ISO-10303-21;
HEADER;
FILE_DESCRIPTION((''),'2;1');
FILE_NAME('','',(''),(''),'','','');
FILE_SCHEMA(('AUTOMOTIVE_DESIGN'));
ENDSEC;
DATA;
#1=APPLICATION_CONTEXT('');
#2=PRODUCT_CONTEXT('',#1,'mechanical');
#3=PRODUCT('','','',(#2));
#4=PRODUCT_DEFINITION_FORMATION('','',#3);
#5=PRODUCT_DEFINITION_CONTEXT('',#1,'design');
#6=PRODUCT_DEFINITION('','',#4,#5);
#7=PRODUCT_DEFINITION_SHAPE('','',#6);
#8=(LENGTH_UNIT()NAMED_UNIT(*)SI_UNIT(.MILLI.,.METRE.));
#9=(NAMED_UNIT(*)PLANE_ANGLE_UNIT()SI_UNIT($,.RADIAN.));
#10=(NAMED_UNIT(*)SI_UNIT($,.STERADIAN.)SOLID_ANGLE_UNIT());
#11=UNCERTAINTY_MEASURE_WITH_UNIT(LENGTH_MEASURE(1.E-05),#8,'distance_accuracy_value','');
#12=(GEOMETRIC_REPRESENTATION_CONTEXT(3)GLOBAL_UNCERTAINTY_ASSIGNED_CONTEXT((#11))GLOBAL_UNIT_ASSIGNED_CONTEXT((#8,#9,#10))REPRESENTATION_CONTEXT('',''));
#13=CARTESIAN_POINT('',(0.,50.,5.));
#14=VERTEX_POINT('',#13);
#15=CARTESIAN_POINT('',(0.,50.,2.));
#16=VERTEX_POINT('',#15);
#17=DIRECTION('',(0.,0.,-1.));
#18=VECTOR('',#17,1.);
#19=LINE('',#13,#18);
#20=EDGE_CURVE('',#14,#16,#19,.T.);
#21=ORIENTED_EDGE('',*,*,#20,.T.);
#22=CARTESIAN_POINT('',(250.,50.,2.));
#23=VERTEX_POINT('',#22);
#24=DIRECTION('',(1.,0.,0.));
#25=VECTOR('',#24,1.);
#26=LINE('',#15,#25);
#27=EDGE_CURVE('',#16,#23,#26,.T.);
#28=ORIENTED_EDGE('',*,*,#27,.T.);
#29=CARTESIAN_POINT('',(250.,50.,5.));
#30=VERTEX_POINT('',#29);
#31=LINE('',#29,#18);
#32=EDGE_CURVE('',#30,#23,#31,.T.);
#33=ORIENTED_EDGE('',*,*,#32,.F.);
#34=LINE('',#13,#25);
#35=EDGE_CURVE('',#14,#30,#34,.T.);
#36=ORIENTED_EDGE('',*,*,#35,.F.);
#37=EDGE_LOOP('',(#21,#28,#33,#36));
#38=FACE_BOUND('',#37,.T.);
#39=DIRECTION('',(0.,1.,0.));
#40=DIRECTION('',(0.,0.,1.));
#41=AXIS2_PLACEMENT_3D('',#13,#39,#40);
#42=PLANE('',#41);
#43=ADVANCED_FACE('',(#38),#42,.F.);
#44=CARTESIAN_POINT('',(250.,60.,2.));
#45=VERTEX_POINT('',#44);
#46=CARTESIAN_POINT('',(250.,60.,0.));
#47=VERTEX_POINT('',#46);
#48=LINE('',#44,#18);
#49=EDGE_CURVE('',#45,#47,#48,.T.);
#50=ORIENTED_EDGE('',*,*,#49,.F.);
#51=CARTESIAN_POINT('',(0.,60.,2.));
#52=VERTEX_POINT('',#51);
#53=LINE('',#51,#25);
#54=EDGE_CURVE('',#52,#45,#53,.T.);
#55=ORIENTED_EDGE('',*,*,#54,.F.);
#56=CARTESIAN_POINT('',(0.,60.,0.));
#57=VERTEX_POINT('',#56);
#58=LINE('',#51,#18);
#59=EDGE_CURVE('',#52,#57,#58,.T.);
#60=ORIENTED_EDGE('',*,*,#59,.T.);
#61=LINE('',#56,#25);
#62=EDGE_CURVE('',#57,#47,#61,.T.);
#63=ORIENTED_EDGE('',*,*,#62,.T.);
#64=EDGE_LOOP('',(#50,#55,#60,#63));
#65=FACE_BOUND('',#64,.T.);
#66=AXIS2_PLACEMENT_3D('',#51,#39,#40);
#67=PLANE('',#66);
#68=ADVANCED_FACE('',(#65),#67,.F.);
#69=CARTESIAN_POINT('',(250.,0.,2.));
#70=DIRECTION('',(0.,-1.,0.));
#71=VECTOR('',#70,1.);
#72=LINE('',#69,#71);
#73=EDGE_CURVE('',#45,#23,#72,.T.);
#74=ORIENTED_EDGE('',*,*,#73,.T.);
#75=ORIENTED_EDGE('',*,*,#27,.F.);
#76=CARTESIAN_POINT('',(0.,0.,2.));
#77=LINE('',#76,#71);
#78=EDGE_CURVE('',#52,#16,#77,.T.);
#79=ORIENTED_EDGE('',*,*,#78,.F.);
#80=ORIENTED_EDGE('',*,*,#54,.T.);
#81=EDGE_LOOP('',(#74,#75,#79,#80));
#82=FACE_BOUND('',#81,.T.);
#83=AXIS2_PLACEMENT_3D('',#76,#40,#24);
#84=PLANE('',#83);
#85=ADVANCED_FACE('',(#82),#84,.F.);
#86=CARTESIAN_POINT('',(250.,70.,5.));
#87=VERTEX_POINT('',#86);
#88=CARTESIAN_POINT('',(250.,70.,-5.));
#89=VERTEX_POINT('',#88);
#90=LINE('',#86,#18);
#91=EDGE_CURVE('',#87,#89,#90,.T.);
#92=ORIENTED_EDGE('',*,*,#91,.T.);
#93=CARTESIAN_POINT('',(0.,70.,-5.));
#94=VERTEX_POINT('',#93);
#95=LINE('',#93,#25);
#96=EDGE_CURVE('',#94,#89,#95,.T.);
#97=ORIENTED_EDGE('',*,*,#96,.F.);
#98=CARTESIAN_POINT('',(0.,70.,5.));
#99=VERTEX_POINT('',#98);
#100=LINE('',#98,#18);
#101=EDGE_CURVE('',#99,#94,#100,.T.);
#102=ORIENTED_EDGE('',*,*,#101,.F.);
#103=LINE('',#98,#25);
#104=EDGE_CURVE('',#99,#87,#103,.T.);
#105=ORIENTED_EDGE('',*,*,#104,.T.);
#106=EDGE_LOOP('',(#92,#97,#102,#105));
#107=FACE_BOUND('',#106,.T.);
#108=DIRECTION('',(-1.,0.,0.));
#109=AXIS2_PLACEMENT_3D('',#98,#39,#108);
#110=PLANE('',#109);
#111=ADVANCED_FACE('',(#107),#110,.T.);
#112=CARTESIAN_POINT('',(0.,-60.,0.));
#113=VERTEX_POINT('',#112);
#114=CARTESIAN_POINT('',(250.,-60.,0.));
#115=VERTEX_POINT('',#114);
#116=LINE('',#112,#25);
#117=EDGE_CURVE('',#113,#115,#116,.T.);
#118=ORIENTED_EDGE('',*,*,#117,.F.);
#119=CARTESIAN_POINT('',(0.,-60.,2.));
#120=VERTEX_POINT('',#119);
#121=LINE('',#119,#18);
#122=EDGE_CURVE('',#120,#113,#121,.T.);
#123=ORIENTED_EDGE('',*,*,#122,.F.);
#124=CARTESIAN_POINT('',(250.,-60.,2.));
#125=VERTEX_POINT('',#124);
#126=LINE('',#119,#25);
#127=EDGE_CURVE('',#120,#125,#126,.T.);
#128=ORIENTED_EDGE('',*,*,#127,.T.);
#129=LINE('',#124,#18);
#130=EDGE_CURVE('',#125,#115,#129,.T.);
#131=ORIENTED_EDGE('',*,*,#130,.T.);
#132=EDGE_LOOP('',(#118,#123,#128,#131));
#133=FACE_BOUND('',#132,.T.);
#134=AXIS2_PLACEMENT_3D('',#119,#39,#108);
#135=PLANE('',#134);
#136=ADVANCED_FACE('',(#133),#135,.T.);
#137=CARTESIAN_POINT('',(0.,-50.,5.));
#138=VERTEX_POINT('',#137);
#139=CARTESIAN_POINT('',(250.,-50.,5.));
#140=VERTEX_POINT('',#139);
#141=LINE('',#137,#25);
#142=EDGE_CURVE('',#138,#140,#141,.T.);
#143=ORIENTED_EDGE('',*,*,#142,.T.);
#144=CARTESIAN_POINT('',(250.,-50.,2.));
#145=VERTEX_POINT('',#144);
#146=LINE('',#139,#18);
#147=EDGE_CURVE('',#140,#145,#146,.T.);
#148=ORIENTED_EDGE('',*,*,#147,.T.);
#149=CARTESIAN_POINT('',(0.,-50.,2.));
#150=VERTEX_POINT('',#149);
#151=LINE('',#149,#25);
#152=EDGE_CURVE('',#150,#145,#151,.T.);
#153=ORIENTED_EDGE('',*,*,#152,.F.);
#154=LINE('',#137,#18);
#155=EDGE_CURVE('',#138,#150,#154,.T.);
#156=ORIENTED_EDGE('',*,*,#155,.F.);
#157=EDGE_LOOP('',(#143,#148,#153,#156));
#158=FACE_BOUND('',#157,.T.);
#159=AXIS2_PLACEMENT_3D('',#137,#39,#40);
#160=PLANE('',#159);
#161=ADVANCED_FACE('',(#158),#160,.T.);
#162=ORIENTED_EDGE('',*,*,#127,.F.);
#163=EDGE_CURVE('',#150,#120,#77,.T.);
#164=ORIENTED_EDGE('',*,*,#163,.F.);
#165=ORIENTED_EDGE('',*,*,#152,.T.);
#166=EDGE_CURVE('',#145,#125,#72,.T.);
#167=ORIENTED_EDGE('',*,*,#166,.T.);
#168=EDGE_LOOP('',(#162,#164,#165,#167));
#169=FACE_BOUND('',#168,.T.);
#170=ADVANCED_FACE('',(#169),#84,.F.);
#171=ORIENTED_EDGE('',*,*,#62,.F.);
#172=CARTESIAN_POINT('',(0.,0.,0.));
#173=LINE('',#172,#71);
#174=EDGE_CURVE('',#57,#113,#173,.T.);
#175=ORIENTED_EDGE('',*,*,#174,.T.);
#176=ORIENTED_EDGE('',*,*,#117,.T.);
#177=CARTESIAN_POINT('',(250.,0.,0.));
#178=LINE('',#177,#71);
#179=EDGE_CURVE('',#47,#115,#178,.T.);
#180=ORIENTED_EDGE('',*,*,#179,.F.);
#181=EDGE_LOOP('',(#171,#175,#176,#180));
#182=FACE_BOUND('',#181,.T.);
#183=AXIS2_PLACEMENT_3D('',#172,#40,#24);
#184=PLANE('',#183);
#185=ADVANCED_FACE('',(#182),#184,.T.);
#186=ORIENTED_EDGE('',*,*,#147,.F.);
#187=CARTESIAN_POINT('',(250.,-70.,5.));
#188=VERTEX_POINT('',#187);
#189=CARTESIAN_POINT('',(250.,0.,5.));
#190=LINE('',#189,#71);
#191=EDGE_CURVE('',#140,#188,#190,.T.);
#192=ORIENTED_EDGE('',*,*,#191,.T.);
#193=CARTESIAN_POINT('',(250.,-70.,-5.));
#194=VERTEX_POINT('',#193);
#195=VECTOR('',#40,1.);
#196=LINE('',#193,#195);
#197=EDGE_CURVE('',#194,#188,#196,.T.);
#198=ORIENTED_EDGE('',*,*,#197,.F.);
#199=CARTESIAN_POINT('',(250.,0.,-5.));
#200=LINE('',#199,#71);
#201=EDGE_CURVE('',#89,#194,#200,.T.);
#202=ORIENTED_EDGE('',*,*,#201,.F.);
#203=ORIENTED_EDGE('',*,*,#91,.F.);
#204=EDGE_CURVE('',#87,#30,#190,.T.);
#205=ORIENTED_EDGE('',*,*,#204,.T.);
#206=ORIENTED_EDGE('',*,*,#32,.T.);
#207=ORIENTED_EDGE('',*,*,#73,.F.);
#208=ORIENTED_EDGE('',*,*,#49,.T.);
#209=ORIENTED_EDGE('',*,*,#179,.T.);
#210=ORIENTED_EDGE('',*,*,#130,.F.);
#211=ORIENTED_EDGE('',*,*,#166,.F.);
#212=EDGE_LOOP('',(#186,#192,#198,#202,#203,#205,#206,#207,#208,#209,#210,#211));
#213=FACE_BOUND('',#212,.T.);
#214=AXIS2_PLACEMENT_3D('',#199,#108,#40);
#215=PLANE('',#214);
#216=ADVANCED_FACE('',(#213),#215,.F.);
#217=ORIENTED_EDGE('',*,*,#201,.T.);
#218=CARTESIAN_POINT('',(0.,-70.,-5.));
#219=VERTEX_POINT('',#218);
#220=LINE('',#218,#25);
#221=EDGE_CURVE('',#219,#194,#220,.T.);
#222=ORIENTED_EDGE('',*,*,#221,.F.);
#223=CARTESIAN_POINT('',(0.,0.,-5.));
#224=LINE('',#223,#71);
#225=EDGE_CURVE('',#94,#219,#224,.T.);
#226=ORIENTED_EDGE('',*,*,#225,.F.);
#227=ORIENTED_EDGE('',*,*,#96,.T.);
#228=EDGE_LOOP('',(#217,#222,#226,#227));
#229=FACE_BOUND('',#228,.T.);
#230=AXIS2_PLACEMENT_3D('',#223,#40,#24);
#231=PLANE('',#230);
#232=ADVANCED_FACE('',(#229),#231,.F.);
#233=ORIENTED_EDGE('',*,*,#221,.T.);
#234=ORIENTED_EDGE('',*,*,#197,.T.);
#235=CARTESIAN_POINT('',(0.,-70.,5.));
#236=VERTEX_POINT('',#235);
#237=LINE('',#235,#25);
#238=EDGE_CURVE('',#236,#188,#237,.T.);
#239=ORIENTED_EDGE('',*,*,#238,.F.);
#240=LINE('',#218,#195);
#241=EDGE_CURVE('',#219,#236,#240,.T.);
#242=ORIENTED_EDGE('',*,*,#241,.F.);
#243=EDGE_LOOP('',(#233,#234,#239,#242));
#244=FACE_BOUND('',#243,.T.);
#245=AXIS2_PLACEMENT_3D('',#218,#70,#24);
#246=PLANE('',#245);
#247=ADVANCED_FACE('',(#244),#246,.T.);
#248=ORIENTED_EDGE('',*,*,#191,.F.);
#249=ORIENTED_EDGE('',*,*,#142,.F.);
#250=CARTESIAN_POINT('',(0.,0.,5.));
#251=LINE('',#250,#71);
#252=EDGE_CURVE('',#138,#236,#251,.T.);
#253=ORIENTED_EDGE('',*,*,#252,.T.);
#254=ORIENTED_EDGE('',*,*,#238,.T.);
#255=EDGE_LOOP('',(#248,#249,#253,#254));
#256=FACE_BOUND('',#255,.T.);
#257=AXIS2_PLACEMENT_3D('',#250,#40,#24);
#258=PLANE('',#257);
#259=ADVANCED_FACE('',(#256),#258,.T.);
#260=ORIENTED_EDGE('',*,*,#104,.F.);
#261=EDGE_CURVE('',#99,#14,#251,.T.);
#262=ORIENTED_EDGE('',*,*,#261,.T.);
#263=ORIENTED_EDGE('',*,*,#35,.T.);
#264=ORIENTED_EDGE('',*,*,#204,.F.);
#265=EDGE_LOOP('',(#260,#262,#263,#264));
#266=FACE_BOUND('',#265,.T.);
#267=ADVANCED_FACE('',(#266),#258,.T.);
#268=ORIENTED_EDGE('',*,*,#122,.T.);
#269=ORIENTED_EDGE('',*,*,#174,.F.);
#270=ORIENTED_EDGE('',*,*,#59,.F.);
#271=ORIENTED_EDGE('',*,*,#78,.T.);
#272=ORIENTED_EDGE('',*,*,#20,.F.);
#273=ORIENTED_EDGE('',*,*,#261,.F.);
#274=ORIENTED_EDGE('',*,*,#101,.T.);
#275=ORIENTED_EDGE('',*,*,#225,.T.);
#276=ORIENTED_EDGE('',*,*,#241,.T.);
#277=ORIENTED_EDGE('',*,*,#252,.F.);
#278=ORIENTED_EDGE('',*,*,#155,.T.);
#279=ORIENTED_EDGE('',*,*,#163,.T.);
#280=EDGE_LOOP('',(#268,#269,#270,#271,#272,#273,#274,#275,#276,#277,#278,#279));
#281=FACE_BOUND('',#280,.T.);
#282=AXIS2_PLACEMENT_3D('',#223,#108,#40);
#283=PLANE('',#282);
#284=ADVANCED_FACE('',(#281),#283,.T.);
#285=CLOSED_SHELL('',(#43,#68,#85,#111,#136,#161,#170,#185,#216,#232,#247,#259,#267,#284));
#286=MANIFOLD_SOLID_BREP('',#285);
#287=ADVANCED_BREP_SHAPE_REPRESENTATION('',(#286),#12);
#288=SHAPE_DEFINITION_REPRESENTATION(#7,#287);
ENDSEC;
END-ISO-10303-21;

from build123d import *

# Parameters (mm, degrees)
BOSS_EXTRUDE1_DEPTH      = 5
BOSS_EXTRUDE1_DEPTH_BACK = 5
SKETCH1_W                = 250
SKETCH1_H                = 140
SKETCH1_3_W              = 250
SKETCH1_3_H              = 100
CUT_EXTRUDE1_DEPTH       = 260.663243452
SKETCH1_4_W              = 250
SKETCH1_4_H              = 10
CUT_EXTRUDE2_DEPTH       = 2


with BuildPart() as part:
    # Sketch1 → Boss-Extrude1 (new, two sides: drawn at the far end of the back side and taken through both)
    with BuildSketch(Plane.XY.offset(-BOSS_EXTRUDE1_DEPTH_BACK)):
        with Locations((125, 0)):
            Rectangle(SKETCH1_W, SKETCH1_H)
    extrude(amount=BOSS_EXTRUDE1_DEPTH + BOSS_EXTRUDE1_DEPTH_BACK)

    # Sketch1<3> → Cut-Extrude1 (cut, through all)
    with BuildSketch(Plane.XY):
        with Locations((125, 0)):
            Rectangle(SKETCH1_3_W, SKETCH1_3_H)
    extrude(amount=CUT_EXTRUDE1_DEPTH, mode=Mode.SUBTRACT)

    # Sketch1<4> → Cut-Extrude2 (cut)
    with BuildSketch(Plane.XY):
        with Locations((125, 55)):
            Rectangle(SKETCH1_4_W, SKETCH1_4_H)
        with Locations((125, -55)):
            Rectangle(SKETCH1_4_W, SKETCH1_4_H)
    extrude(amount=CUT_EXTRUDE2_DEPTH, mode=Mode.SUBTRACT)


solid = part.part
